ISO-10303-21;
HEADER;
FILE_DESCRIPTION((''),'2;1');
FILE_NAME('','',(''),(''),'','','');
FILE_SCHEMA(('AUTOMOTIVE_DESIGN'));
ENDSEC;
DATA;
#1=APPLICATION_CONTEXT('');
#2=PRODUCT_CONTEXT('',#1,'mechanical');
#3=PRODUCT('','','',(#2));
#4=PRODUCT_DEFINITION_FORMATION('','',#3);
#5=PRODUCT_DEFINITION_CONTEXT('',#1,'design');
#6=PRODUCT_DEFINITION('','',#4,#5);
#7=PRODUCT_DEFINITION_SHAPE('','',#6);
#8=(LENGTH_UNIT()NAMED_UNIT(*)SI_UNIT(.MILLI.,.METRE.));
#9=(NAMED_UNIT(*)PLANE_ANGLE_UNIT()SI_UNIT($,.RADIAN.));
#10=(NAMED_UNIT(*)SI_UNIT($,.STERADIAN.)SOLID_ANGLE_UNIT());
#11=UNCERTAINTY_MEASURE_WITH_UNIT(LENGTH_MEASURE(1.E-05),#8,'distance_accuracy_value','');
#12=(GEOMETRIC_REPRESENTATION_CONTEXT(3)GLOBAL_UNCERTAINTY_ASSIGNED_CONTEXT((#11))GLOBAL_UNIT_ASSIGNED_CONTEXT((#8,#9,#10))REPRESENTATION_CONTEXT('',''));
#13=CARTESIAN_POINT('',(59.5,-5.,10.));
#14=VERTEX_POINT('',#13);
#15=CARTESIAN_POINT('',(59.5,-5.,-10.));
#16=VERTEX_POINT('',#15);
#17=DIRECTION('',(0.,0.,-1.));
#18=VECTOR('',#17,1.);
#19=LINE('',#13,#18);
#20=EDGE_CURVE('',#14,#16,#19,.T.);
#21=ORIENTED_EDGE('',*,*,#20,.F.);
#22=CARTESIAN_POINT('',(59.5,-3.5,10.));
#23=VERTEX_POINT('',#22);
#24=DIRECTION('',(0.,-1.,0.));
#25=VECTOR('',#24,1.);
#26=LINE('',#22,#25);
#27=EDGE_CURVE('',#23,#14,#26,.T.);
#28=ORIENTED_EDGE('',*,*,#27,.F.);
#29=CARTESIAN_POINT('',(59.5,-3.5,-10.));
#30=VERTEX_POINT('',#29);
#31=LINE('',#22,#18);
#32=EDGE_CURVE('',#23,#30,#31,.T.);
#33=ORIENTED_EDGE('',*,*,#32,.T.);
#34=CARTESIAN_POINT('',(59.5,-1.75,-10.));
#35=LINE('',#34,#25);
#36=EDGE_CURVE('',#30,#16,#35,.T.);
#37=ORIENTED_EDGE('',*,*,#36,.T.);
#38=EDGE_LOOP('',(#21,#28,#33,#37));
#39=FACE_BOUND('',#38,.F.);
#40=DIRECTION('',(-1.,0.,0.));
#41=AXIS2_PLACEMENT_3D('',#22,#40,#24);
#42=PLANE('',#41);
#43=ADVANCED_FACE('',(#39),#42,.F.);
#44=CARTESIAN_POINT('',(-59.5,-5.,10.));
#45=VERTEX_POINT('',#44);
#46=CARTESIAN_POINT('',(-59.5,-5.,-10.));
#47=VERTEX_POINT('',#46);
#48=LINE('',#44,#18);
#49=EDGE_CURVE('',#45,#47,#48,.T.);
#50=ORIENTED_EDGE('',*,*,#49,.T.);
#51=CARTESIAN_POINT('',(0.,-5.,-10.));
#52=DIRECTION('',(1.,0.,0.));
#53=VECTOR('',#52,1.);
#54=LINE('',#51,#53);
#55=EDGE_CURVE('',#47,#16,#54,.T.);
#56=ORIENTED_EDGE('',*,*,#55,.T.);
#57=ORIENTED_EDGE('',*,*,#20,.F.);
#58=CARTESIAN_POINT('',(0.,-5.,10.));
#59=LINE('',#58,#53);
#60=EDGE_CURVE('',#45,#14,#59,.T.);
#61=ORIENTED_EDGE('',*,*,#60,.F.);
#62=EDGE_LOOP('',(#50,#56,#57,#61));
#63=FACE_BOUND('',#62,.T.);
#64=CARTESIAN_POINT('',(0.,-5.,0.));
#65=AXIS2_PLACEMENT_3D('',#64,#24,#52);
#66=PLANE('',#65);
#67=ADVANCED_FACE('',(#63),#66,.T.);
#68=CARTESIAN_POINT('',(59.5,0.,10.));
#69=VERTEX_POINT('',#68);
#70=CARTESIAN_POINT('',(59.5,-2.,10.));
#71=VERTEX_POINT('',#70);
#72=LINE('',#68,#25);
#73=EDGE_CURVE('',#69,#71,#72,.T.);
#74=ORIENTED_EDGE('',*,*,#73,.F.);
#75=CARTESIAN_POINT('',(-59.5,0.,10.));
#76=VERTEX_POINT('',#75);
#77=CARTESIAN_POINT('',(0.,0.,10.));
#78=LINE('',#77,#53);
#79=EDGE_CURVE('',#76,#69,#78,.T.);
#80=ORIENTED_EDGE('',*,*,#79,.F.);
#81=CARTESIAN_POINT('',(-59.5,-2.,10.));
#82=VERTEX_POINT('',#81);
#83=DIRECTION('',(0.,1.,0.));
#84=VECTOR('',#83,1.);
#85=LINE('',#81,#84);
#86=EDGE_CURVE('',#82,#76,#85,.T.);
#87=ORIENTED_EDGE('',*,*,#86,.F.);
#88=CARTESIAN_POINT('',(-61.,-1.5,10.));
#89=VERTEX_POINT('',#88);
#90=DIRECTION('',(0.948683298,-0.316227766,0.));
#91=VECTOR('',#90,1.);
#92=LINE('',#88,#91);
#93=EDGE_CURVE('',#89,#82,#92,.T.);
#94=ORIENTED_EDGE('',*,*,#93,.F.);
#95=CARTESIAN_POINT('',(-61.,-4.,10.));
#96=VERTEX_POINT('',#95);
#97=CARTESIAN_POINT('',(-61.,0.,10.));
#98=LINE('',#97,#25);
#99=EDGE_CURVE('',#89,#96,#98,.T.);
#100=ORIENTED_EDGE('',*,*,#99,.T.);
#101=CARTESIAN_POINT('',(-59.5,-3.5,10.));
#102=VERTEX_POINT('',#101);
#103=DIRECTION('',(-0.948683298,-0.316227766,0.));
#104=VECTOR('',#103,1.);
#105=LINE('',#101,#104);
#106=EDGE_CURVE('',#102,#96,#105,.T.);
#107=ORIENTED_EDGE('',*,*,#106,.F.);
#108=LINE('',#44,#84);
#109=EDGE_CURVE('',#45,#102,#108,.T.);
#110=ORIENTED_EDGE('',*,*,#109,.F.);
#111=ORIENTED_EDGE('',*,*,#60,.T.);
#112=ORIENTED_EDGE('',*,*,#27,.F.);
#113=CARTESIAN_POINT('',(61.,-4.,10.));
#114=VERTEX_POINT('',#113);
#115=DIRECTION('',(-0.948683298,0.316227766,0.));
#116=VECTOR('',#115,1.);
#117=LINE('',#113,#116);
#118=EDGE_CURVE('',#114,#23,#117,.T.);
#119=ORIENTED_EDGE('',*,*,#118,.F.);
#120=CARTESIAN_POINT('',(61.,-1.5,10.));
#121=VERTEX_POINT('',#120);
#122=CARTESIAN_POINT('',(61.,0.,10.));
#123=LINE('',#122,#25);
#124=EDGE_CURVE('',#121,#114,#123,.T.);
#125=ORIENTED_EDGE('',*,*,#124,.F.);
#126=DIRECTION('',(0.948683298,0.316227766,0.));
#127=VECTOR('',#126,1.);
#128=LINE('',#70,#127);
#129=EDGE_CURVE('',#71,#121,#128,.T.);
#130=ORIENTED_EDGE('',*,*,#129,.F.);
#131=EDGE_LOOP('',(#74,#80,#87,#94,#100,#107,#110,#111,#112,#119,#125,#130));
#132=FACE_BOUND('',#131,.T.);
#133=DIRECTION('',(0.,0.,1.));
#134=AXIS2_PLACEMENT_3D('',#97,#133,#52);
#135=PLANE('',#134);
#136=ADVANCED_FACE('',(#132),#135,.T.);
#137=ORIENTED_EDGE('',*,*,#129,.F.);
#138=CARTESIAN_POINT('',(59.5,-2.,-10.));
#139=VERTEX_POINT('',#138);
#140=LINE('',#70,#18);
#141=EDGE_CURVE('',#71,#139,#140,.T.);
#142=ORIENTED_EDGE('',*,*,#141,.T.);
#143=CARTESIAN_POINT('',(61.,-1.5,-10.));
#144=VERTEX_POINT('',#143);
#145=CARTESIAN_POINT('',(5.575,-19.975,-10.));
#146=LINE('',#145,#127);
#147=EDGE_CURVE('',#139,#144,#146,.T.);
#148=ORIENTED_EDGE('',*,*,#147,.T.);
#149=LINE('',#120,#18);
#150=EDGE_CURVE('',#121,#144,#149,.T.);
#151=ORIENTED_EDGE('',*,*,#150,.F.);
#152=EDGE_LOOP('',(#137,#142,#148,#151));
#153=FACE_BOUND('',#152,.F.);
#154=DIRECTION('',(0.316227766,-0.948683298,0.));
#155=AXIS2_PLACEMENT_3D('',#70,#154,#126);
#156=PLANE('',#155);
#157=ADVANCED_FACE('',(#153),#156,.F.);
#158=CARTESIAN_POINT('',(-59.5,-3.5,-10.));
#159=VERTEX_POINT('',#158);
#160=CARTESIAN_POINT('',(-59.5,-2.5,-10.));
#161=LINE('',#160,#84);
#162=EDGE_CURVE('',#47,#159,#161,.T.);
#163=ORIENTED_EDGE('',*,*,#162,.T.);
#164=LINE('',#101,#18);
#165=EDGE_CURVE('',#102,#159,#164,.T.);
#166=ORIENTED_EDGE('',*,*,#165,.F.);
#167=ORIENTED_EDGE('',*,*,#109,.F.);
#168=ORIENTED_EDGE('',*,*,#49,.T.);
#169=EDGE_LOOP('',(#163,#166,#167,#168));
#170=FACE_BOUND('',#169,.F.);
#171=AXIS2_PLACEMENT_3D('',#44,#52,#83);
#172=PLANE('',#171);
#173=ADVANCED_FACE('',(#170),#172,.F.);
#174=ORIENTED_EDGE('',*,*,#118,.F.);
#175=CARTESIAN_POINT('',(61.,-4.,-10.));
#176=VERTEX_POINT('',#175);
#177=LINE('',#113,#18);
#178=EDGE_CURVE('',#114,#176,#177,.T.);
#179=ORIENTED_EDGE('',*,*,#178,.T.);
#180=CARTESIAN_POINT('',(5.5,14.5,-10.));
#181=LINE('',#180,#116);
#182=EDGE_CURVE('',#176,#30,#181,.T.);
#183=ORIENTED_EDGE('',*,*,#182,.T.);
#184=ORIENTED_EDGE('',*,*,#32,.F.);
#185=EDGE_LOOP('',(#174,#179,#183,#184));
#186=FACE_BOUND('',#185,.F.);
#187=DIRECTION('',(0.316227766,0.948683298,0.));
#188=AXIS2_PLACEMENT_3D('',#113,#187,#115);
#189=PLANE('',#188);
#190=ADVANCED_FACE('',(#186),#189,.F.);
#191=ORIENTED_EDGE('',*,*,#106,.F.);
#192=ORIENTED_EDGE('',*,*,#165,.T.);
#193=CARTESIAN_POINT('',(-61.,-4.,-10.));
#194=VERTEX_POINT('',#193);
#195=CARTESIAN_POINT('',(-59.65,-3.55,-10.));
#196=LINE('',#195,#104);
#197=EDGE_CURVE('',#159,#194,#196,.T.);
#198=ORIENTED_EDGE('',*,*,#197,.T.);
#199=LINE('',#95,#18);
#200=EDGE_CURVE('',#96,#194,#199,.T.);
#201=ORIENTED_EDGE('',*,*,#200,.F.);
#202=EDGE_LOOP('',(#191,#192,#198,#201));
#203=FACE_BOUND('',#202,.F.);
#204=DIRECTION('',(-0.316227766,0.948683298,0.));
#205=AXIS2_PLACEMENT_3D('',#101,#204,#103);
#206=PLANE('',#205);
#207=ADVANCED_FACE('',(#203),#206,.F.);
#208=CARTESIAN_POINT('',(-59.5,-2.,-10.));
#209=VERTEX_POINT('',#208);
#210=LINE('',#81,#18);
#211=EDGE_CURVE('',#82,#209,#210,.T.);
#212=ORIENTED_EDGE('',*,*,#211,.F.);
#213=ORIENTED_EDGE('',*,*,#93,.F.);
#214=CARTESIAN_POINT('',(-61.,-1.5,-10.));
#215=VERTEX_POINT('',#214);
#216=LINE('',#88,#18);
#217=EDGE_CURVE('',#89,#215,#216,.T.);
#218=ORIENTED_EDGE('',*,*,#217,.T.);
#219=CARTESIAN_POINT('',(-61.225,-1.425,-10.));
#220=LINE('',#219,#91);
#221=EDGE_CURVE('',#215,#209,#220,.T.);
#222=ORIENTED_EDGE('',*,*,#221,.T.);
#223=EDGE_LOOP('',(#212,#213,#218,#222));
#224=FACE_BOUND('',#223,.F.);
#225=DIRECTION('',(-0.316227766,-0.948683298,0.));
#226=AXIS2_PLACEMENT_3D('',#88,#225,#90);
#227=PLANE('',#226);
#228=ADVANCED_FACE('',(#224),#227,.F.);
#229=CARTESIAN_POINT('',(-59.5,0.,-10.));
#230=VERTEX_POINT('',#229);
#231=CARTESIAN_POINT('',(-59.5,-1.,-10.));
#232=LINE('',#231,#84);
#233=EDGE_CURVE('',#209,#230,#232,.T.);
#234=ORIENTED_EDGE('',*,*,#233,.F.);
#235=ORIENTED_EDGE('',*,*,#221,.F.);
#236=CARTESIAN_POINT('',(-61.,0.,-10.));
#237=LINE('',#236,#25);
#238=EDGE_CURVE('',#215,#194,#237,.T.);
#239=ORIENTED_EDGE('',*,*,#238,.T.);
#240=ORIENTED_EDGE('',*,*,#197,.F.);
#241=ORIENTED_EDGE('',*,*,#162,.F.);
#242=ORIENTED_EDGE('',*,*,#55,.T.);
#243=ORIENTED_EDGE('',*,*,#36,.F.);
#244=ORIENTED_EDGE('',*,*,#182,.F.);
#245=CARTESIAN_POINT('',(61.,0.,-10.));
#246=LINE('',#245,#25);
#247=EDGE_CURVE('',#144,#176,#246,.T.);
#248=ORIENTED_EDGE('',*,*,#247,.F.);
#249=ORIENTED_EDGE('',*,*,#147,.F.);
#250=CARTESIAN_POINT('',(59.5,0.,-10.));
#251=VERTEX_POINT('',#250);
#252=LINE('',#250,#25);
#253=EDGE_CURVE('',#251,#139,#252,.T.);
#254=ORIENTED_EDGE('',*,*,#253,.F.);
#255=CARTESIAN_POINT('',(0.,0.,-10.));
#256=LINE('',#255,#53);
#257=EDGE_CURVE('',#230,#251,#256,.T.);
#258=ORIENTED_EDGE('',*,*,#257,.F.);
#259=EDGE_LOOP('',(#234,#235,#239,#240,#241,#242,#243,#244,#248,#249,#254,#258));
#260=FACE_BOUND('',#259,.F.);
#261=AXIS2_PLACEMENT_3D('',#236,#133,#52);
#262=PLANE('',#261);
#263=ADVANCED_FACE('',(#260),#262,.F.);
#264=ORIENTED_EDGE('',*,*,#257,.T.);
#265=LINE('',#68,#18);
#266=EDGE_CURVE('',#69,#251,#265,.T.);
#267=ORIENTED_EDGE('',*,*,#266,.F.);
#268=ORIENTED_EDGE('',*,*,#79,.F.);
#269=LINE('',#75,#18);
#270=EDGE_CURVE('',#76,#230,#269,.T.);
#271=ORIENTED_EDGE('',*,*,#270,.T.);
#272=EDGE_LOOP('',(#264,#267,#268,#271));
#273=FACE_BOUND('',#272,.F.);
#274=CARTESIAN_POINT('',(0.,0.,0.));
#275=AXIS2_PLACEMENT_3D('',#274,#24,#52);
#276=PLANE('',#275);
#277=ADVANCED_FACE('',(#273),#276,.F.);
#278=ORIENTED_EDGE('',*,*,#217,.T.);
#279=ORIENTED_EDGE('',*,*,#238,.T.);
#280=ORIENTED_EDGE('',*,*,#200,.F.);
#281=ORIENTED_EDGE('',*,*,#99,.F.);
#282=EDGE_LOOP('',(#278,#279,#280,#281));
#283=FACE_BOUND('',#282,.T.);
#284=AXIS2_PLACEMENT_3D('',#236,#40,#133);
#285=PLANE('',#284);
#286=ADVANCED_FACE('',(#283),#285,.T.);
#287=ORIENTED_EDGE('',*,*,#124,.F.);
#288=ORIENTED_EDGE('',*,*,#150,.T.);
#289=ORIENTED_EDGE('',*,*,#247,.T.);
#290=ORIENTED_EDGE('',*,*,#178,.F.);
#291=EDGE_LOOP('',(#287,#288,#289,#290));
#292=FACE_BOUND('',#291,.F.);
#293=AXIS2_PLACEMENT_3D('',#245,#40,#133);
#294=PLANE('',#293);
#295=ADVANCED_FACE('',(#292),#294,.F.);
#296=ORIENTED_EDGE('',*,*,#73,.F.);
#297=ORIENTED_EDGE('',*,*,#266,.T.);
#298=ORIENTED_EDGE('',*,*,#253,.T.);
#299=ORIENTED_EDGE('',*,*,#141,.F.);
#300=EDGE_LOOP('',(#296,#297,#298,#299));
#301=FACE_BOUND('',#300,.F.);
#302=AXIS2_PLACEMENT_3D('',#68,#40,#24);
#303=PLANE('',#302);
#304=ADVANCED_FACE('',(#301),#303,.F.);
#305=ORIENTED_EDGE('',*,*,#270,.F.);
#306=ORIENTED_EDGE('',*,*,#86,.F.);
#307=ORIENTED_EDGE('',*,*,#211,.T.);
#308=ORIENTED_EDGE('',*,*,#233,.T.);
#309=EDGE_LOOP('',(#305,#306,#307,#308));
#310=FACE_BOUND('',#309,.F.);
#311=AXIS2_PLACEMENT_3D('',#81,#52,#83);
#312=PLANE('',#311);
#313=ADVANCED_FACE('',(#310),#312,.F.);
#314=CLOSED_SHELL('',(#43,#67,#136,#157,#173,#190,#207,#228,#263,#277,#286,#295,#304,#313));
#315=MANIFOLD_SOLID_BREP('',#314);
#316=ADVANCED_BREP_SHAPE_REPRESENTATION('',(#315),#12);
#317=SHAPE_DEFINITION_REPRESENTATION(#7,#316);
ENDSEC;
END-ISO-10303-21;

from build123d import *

# Parameters (mm, degrees)
F0_W     = 122
F0_H     = 20
F1_DEPTH = 5
F3_DEPTH = 20.001


with BuildPart() as f1:
    # F0 (on Front) → F1 (new body)
    with BuildSketch(Plane.XZ):
        Rectangle(F0_W, F0_H)
    extrude(amount=F1_DEPTH)

    # F2 (on face) → F3 (cut, through all)
    with BuildSketch(Plane.XY.offset(10)):
        Polygon((-59.5, -2), (-59.5, 0), (-61, 0), (-61, -1.5), align=None)
        Polygon((-59.5, -3.5), (-61, -4), (-61, -5), (-59.5, -5), align=None)
        Polygon((61, 0), (59.5, 0), (59.5, -2), (61, -1.5), align=None)
        Polygon((61, -5), (61, -4), (59.5, -3.5), (59.5, -5), align=None)
    extrude(amount=-F3_DEPTH, mode=Mode.SUBTRACT)


solid = f1.part
